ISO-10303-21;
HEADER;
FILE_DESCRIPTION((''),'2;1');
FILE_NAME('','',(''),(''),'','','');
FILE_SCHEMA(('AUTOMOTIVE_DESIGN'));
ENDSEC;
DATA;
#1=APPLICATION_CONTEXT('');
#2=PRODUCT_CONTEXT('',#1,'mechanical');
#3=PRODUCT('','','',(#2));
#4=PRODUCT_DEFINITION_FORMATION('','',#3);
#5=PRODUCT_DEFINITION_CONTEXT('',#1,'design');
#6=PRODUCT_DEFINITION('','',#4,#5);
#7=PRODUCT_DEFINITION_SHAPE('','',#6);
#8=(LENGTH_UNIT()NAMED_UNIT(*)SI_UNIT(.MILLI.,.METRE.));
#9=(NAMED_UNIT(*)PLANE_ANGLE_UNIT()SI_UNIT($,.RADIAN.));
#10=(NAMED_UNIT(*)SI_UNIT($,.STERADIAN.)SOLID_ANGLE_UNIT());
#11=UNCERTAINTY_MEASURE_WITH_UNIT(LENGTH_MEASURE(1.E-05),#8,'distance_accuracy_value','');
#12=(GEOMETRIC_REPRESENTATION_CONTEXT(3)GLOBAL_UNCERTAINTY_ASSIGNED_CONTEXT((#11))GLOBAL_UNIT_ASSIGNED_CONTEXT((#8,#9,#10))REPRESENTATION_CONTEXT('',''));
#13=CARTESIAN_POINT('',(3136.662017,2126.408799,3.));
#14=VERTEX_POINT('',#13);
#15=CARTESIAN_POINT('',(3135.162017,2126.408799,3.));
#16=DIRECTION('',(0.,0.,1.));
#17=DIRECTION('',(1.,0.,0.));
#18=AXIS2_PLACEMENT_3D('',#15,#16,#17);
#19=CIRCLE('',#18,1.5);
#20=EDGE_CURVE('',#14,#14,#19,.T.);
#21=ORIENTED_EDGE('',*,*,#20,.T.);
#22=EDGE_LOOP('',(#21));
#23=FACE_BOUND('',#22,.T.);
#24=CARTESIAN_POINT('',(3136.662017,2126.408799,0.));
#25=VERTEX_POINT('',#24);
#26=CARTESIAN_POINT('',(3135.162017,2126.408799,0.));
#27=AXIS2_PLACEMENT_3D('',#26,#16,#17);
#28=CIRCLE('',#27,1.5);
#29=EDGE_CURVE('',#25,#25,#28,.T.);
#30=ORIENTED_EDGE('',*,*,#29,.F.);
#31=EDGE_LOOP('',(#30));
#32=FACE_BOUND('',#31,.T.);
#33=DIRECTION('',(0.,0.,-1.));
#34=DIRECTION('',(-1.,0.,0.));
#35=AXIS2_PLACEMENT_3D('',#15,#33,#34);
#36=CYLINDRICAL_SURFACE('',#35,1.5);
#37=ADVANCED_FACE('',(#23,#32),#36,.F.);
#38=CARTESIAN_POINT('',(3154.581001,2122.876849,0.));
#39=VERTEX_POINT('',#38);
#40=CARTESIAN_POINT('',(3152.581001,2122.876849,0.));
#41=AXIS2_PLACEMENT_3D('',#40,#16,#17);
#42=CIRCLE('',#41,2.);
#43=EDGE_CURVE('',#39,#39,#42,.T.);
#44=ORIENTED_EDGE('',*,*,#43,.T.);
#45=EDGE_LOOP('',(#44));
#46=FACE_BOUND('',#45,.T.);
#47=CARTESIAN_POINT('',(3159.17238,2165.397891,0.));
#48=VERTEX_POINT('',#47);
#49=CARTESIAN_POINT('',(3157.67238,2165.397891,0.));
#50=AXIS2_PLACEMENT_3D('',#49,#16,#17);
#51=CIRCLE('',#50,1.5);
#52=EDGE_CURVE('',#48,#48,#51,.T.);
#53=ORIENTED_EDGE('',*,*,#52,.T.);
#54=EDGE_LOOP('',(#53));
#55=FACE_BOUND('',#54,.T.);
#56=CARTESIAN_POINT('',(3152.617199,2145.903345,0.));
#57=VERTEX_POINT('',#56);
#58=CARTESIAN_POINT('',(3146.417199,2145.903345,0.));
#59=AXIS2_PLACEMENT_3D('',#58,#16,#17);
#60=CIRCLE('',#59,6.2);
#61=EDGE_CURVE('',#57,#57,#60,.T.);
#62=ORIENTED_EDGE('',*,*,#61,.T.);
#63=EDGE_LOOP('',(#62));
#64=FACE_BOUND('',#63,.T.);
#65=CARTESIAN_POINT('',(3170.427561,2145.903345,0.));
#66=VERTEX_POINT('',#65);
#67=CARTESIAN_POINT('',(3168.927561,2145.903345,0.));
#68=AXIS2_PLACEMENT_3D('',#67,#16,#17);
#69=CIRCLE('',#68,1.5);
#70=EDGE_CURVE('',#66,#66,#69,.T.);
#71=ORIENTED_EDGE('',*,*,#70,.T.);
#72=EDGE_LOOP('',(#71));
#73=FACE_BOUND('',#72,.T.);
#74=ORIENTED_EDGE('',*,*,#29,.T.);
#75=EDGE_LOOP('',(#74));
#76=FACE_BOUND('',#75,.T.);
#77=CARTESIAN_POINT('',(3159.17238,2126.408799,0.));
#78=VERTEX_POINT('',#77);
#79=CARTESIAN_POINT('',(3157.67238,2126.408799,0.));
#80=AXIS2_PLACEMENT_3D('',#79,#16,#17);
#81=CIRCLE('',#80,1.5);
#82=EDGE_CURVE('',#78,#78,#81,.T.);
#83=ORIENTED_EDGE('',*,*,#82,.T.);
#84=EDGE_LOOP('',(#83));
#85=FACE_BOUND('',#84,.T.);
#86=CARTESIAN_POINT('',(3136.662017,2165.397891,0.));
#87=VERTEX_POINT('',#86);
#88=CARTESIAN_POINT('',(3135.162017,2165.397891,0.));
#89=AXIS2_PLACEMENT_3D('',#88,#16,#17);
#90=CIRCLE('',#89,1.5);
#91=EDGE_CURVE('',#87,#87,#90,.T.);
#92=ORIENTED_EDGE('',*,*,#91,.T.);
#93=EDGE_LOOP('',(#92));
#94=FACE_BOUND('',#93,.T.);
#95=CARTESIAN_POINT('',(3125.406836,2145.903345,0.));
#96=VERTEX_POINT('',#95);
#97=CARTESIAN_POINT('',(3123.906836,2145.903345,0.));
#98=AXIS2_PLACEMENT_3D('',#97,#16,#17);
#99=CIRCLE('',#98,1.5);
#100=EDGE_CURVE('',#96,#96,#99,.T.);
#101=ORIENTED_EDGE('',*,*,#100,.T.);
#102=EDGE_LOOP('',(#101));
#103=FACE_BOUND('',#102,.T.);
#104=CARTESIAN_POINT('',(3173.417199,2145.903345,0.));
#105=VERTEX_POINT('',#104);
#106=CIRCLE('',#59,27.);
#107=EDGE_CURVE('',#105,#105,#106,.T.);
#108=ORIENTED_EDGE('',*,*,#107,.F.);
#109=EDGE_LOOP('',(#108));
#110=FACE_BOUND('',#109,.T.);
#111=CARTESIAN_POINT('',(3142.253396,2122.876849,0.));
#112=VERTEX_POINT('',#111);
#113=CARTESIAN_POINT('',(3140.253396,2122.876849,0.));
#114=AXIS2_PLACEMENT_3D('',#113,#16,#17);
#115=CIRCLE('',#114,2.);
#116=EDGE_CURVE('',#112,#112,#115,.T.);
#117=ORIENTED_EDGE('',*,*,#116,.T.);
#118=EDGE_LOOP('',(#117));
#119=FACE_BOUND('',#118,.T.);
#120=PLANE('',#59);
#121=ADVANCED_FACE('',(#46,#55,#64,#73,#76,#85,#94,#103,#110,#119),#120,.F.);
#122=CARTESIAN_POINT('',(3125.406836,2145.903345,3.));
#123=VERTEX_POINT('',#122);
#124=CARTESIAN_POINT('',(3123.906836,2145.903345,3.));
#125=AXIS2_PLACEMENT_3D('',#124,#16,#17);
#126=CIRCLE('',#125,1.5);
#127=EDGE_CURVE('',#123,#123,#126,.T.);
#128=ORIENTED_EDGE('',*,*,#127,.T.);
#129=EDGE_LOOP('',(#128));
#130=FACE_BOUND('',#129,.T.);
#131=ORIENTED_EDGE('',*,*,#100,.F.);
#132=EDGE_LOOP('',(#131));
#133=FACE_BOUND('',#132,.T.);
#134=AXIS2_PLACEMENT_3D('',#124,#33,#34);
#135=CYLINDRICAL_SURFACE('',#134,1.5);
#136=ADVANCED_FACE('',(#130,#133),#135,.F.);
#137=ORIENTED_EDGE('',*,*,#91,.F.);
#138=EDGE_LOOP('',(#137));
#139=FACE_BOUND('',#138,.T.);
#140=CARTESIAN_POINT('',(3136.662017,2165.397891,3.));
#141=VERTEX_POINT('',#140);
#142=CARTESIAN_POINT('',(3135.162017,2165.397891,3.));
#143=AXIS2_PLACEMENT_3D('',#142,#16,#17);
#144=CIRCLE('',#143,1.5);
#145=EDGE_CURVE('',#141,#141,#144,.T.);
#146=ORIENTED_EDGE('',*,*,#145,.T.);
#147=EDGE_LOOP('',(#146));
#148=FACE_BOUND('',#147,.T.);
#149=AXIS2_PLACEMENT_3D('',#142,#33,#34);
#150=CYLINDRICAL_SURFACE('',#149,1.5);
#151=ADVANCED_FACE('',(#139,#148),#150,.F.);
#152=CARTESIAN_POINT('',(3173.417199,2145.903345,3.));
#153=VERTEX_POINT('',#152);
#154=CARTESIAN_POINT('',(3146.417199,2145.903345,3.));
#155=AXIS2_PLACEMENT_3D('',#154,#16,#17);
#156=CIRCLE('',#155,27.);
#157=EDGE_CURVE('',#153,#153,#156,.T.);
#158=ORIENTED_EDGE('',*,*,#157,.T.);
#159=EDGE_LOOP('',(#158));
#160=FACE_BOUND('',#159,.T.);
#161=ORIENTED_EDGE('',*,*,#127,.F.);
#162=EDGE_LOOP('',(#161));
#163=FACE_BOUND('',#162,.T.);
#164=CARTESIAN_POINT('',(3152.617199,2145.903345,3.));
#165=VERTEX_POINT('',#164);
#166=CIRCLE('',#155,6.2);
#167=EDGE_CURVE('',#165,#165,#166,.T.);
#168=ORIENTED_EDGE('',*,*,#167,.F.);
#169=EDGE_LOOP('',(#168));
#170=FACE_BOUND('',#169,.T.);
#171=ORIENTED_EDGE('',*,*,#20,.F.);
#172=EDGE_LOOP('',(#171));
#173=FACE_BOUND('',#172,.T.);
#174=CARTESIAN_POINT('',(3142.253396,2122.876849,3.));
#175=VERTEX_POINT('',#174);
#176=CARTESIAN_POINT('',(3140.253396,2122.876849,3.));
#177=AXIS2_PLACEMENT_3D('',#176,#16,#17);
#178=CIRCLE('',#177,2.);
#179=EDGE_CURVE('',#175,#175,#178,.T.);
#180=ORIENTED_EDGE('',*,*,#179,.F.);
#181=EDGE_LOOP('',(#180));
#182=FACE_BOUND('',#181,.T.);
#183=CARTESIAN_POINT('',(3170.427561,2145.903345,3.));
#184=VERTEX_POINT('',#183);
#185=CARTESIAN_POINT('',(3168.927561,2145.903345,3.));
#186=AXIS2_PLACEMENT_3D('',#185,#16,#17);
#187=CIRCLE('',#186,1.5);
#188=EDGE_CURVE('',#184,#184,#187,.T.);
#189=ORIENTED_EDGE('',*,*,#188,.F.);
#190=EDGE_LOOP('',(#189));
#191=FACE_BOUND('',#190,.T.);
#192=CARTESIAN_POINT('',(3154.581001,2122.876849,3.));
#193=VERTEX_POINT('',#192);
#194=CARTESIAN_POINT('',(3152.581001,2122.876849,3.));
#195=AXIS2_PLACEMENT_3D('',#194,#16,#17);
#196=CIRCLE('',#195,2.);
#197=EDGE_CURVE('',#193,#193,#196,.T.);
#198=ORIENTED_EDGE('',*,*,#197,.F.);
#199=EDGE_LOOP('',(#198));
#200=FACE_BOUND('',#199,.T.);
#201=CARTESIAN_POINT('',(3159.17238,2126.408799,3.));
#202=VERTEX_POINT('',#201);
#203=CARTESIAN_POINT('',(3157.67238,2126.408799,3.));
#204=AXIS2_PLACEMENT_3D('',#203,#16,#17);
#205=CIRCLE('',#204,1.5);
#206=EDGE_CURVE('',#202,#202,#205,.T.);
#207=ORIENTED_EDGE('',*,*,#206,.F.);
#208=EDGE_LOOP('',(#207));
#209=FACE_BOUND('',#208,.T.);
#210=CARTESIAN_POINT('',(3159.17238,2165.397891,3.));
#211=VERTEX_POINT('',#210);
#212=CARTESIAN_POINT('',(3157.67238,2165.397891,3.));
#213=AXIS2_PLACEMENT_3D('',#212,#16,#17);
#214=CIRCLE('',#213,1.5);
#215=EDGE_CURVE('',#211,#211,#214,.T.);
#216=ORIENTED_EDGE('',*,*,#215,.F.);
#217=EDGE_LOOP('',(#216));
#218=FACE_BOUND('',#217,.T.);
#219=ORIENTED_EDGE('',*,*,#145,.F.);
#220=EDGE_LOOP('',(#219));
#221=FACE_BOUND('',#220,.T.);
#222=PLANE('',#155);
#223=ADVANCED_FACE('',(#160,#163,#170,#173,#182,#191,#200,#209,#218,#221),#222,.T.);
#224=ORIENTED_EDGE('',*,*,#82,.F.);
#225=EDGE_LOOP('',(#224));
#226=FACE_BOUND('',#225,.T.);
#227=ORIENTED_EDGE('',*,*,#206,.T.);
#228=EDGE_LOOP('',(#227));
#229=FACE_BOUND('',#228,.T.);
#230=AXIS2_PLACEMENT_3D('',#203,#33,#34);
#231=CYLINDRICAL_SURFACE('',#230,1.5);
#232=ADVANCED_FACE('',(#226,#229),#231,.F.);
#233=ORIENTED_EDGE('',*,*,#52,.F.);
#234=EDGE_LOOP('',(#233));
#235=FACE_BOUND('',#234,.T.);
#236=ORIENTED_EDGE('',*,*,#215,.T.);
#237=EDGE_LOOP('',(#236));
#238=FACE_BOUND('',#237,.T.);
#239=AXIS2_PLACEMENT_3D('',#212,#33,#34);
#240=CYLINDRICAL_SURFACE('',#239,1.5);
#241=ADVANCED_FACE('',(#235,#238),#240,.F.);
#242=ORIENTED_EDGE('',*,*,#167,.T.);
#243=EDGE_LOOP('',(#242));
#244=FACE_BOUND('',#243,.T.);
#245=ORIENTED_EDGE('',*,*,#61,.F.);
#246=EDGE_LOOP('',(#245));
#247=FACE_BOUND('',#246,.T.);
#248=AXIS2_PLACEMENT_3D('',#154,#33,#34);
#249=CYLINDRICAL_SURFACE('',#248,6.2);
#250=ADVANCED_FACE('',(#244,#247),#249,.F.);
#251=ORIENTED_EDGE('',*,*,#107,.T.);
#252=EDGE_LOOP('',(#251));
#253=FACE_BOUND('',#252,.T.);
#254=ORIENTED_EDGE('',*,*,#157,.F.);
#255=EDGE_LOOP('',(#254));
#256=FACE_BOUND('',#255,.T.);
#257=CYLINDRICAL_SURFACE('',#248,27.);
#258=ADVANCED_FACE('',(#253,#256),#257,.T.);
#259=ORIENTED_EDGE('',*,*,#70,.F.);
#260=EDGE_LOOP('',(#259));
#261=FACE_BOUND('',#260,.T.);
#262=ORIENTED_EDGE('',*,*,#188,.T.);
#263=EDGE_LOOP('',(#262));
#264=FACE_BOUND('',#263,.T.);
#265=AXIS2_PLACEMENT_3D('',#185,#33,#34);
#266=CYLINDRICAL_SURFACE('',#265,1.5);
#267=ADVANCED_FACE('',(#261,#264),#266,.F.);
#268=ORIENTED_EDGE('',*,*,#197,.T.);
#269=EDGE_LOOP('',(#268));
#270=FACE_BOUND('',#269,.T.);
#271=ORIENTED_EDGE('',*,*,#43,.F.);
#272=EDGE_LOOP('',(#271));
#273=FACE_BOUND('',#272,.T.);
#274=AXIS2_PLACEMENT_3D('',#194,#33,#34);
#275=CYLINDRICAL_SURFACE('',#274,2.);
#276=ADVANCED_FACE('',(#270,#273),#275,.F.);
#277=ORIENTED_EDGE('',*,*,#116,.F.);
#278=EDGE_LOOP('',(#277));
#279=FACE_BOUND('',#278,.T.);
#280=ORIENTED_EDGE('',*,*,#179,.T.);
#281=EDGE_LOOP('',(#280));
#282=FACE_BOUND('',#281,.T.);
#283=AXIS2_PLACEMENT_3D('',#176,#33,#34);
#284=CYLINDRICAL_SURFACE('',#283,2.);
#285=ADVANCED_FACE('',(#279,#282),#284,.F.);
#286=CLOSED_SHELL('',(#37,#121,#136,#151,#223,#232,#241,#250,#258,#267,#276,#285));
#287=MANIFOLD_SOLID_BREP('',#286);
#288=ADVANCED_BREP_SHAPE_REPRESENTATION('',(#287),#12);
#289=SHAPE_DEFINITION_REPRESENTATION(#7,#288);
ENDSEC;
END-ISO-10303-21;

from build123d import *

# Parameters (mm, degrees)
SKETCH_1_R      = 27
SKETCH_1_R_2    = 6.2
SKETCH_1_R_3    = 2
SKETCH_1_R_4    = 1.5
EXTRUDE_1_DEPTH = 3


with BuildPart() as part:
    # 草图1 → 凸台-拉伸1 (new body)
    with BuildSketch(Plane.XY):
        with Locations((3146.417198556, 2145.903344986)):
            Circle(SKETCH_1_R)
        with Locations((3146.417198556, 2145.903344986)):
            Circle(SKETCH_1_R_2, mode=Mode.SUBTRACT)
        with Locations((3152.581001127, 2122.876849306)):
            Circle(SKETCH_1_R_3, mode=Mode.SUBTRACT)
        with Locations((3168.927561327, 2145.903344986)):
            Circle(SKETCH_1_R_4, mode=Mode.SUBTRACT)
        with Locations((3157.672379942, 2165.397890994)):
            Circle(SKETCH_1_R_4, mode=Mode.SUBTRACT)
        with Locations((3135.162017171, 2165.397890994)):
            Circle(SKETCH_1_R_4, mode=Mode.SUBTRACT)
        with Locations((3123.906835785, 2145.903344986)):
            Circle(SKETCH_1_R_4, mode=Mode.SUBTRACT)
        with Locations((3135.162017171, 2126.408798978)):
            Circle(SKETCH_1_R_4, mode=Mode.SUBTRACT)
        with Locations((3157.672379942, 2126.408798978)):
            Circle(SKETCH_1_R_4, mode=Mode.SUBTRACT)
        with Locations((3140.253395985, 2122.876849306)):
            Circle(SKETCH_1_R_3, mode=Mode.SUBTRACT)
    extrude(amount=EXTRUDE_1_DEPTH)


solid = part.part
